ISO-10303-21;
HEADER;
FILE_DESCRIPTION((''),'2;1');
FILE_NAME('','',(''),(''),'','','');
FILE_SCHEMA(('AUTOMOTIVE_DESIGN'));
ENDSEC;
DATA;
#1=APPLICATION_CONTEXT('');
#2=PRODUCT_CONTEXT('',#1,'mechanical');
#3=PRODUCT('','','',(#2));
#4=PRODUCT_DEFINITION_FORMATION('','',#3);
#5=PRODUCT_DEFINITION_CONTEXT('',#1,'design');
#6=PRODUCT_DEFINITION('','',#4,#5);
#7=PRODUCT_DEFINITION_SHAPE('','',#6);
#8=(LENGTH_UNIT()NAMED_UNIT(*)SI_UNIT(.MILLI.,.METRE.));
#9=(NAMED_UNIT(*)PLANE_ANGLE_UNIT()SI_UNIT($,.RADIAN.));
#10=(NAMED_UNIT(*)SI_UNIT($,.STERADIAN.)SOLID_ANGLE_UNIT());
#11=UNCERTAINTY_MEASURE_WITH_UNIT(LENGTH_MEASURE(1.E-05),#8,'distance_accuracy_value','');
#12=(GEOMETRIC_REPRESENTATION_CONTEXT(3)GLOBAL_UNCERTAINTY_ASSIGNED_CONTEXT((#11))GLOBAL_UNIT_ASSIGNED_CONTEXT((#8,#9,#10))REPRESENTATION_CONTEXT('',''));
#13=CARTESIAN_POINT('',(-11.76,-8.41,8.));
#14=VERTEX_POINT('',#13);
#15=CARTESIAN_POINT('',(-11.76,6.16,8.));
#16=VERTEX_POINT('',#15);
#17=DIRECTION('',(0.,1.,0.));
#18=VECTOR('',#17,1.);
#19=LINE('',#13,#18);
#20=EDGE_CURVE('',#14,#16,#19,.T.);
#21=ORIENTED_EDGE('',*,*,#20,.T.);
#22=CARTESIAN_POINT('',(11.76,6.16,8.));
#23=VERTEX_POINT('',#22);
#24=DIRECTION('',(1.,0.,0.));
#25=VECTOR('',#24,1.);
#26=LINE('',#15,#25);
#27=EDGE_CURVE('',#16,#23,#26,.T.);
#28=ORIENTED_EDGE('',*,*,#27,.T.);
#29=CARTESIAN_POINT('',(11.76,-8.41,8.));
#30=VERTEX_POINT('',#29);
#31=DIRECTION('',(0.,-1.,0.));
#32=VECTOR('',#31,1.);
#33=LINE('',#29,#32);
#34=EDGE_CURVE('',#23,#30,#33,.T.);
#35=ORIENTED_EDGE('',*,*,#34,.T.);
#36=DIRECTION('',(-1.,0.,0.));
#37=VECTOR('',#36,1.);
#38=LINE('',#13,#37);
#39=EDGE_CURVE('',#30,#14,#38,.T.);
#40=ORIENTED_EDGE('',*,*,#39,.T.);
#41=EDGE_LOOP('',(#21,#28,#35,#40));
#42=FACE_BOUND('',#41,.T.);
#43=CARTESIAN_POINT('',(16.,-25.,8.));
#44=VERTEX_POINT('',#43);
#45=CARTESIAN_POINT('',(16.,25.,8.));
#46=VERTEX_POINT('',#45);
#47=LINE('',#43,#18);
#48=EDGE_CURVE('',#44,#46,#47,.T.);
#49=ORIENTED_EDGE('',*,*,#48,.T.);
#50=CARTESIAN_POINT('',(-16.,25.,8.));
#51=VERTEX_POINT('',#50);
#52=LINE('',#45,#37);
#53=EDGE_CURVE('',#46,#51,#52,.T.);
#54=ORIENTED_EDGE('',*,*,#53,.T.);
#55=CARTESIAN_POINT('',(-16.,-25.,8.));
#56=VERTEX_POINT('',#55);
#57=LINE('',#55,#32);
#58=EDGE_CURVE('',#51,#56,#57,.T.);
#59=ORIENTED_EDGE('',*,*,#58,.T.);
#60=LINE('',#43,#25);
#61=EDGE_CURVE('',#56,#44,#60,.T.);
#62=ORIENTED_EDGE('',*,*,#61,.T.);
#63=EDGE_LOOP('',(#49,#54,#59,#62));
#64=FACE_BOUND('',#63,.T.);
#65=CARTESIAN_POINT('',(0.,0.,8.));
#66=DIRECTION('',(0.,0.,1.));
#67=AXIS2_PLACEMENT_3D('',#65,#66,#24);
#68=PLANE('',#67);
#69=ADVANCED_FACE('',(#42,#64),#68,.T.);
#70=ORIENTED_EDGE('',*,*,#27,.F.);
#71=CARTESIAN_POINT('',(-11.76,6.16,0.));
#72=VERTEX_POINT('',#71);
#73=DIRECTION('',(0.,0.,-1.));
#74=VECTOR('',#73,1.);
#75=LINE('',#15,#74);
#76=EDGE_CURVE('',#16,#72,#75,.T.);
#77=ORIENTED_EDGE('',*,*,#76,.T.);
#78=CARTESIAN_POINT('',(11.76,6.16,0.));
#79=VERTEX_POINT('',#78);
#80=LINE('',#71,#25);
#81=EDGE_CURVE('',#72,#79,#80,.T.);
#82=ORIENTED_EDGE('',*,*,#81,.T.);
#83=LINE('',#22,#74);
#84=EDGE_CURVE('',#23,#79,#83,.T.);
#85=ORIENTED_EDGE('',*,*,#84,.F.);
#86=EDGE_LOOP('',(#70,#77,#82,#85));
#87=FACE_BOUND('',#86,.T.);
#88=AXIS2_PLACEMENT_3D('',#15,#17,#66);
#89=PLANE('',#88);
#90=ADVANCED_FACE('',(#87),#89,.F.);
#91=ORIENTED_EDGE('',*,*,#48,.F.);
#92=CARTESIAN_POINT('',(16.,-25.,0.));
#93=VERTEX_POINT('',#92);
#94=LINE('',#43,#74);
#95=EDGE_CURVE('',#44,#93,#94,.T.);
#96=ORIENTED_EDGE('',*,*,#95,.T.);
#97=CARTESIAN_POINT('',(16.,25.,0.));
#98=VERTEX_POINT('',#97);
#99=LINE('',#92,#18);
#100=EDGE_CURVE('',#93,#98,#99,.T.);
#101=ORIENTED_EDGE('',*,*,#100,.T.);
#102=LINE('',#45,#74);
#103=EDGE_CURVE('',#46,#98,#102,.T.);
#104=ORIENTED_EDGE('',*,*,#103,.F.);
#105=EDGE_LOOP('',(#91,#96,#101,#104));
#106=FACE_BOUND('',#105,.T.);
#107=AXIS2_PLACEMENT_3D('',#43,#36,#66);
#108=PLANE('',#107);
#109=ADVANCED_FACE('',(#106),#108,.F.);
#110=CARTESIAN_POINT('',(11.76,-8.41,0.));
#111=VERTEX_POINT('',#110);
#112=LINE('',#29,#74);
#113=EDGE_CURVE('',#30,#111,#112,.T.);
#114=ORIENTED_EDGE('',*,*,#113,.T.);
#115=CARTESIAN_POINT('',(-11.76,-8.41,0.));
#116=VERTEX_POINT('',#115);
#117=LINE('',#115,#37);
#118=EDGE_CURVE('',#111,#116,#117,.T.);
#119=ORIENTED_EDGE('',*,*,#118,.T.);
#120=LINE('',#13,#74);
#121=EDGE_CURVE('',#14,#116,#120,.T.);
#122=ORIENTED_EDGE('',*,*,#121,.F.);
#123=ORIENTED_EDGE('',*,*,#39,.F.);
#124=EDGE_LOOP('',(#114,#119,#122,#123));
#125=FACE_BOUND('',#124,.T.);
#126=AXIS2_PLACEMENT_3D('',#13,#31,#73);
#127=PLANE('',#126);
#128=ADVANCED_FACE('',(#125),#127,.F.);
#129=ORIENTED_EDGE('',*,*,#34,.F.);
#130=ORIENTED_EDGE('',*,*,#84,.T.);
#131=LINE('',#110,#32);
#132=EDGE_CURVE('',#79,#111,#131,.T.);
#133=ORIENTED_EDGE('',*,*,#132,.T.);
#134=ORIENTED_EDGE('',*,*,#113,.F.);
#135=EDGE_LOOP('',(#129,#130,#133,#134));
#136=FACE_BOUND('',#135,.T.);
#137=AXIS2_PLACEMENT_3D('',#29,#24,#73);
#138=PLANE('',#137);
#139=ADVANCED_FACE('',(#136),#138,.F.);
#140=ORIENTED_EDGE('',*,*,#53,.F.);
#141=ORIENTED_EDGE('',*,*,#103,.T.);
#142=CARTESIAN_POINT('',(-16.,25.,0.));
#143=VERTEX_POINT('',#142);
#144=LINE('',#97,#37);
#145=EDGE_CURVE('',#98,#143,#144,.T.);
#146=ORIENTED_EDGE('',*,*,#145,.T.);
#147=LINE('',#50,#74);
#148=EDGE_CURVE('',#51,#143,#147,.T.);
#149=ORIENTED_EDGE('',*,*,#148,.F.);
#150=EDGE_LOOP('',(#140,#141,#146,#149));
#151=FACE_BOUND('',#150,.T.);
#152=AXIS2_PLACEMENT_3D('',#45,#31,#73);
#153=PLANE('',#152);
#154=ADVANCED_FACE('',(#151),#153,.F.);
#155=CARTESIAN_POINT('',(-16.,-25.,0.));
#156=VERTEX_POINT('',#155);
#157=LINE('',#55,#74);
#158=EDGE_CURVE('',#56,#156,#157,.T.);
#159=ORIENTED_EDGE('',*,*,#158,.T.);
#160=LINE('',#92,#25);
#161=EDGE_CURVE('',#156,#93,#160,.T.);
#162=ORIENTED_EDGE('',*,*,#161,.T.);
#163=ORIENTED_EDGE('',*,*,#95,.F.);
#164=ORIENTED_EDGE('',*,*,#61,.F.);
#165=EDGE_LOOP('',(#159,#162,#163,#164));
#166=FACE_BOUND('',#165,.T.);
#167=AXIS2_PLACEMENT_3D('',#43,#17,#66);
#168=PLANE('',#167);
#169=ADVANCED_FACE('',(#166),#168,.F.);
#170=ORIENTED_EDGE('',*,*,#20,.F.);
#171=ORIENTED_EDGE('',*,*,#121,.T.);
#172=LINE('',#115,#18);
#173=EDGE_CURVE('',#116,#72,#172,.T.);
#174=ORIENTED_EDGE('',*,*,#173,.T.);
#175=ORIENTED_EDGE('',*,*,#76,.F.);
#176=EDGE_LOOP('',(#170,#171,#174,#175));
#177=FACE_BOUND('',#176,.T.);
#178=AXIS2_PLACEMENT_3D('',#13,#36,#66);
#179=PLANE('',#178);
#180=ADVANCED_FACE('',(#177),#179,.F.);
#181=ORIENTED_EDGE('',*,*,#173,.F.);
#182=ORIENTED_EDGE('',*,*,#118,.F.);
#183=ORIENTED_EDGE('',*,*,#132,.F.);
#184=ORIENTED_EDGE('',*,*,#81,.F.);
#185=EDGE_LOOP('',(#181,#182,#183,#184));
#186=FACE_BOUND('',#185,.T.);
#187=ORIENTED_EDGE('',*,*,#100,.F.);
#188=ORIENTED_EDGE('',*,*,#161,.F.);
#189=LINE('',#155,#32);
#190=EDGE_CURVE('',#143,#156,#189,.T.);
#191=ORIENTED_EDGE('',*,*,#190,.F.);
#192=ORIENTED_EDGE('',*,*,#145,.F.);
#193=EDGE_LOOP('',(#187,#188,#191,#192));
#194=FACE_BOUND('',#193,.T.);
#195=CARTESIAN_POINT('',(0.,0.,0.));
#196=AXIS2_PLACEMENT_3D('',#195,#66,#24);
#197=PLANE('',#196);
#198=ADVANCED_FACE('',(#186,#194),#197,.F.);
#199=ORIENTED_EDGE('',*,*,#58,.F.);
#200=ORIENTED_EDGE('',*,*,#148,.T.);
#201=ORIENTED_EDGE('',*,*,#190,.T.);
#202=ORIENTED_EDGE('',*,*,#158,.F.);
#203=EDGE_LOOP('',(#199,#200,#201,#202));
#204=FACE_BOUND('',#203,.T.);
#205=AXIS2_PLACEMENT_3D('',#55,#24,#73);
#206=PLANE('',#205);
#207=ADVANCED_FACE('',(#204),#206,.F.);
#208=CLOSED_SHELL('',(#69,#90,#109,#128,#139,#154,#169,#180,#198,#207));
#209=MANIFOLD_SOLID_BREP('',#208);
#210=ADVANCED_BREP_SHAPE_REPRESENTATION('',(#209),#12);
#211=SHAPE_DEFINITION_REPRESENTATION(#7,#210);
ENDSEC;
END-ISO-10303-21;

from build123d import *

# Parameters (mm, degrees)
ESQUISSE1_W             = 32
ESQUISSE1_H             = 50
BOSS_EXTRU_1_DEPTH      = 8
ESQUISSE2_W             = 23.52
ESQUISSE2_H             = 14.57
ENL_V_MAT_EXTRU_1_DEPTH = 8


with BuildPart() as part:
    # Esquisse1 → Boss.-Extru.1 (new body)
    with BuildSketch(Plane.XY):
        Rectangle(ESQUISSE1_W, ESQUISSE1_H)
    extrude(amount=BOSS_EXTRU_1_DEPTH)

    # Esquisse2 → Enlèv. mat.-Extru.1 (cut)
    with BuildSketch(Plane(origin=(0, 0, 0), x_dir=(-1, 0, 0), z_dir=(0, 0, -1))):
        with Locations((0, -1.125)):
            Rectangle(ESQUISSE2_W, ESQUISSE2_H)
    extrude(amount=-ENL_V_MAT_EXTRU_1_DEPTH, mode=Mode.SUBTRACT)


solid = part.part
